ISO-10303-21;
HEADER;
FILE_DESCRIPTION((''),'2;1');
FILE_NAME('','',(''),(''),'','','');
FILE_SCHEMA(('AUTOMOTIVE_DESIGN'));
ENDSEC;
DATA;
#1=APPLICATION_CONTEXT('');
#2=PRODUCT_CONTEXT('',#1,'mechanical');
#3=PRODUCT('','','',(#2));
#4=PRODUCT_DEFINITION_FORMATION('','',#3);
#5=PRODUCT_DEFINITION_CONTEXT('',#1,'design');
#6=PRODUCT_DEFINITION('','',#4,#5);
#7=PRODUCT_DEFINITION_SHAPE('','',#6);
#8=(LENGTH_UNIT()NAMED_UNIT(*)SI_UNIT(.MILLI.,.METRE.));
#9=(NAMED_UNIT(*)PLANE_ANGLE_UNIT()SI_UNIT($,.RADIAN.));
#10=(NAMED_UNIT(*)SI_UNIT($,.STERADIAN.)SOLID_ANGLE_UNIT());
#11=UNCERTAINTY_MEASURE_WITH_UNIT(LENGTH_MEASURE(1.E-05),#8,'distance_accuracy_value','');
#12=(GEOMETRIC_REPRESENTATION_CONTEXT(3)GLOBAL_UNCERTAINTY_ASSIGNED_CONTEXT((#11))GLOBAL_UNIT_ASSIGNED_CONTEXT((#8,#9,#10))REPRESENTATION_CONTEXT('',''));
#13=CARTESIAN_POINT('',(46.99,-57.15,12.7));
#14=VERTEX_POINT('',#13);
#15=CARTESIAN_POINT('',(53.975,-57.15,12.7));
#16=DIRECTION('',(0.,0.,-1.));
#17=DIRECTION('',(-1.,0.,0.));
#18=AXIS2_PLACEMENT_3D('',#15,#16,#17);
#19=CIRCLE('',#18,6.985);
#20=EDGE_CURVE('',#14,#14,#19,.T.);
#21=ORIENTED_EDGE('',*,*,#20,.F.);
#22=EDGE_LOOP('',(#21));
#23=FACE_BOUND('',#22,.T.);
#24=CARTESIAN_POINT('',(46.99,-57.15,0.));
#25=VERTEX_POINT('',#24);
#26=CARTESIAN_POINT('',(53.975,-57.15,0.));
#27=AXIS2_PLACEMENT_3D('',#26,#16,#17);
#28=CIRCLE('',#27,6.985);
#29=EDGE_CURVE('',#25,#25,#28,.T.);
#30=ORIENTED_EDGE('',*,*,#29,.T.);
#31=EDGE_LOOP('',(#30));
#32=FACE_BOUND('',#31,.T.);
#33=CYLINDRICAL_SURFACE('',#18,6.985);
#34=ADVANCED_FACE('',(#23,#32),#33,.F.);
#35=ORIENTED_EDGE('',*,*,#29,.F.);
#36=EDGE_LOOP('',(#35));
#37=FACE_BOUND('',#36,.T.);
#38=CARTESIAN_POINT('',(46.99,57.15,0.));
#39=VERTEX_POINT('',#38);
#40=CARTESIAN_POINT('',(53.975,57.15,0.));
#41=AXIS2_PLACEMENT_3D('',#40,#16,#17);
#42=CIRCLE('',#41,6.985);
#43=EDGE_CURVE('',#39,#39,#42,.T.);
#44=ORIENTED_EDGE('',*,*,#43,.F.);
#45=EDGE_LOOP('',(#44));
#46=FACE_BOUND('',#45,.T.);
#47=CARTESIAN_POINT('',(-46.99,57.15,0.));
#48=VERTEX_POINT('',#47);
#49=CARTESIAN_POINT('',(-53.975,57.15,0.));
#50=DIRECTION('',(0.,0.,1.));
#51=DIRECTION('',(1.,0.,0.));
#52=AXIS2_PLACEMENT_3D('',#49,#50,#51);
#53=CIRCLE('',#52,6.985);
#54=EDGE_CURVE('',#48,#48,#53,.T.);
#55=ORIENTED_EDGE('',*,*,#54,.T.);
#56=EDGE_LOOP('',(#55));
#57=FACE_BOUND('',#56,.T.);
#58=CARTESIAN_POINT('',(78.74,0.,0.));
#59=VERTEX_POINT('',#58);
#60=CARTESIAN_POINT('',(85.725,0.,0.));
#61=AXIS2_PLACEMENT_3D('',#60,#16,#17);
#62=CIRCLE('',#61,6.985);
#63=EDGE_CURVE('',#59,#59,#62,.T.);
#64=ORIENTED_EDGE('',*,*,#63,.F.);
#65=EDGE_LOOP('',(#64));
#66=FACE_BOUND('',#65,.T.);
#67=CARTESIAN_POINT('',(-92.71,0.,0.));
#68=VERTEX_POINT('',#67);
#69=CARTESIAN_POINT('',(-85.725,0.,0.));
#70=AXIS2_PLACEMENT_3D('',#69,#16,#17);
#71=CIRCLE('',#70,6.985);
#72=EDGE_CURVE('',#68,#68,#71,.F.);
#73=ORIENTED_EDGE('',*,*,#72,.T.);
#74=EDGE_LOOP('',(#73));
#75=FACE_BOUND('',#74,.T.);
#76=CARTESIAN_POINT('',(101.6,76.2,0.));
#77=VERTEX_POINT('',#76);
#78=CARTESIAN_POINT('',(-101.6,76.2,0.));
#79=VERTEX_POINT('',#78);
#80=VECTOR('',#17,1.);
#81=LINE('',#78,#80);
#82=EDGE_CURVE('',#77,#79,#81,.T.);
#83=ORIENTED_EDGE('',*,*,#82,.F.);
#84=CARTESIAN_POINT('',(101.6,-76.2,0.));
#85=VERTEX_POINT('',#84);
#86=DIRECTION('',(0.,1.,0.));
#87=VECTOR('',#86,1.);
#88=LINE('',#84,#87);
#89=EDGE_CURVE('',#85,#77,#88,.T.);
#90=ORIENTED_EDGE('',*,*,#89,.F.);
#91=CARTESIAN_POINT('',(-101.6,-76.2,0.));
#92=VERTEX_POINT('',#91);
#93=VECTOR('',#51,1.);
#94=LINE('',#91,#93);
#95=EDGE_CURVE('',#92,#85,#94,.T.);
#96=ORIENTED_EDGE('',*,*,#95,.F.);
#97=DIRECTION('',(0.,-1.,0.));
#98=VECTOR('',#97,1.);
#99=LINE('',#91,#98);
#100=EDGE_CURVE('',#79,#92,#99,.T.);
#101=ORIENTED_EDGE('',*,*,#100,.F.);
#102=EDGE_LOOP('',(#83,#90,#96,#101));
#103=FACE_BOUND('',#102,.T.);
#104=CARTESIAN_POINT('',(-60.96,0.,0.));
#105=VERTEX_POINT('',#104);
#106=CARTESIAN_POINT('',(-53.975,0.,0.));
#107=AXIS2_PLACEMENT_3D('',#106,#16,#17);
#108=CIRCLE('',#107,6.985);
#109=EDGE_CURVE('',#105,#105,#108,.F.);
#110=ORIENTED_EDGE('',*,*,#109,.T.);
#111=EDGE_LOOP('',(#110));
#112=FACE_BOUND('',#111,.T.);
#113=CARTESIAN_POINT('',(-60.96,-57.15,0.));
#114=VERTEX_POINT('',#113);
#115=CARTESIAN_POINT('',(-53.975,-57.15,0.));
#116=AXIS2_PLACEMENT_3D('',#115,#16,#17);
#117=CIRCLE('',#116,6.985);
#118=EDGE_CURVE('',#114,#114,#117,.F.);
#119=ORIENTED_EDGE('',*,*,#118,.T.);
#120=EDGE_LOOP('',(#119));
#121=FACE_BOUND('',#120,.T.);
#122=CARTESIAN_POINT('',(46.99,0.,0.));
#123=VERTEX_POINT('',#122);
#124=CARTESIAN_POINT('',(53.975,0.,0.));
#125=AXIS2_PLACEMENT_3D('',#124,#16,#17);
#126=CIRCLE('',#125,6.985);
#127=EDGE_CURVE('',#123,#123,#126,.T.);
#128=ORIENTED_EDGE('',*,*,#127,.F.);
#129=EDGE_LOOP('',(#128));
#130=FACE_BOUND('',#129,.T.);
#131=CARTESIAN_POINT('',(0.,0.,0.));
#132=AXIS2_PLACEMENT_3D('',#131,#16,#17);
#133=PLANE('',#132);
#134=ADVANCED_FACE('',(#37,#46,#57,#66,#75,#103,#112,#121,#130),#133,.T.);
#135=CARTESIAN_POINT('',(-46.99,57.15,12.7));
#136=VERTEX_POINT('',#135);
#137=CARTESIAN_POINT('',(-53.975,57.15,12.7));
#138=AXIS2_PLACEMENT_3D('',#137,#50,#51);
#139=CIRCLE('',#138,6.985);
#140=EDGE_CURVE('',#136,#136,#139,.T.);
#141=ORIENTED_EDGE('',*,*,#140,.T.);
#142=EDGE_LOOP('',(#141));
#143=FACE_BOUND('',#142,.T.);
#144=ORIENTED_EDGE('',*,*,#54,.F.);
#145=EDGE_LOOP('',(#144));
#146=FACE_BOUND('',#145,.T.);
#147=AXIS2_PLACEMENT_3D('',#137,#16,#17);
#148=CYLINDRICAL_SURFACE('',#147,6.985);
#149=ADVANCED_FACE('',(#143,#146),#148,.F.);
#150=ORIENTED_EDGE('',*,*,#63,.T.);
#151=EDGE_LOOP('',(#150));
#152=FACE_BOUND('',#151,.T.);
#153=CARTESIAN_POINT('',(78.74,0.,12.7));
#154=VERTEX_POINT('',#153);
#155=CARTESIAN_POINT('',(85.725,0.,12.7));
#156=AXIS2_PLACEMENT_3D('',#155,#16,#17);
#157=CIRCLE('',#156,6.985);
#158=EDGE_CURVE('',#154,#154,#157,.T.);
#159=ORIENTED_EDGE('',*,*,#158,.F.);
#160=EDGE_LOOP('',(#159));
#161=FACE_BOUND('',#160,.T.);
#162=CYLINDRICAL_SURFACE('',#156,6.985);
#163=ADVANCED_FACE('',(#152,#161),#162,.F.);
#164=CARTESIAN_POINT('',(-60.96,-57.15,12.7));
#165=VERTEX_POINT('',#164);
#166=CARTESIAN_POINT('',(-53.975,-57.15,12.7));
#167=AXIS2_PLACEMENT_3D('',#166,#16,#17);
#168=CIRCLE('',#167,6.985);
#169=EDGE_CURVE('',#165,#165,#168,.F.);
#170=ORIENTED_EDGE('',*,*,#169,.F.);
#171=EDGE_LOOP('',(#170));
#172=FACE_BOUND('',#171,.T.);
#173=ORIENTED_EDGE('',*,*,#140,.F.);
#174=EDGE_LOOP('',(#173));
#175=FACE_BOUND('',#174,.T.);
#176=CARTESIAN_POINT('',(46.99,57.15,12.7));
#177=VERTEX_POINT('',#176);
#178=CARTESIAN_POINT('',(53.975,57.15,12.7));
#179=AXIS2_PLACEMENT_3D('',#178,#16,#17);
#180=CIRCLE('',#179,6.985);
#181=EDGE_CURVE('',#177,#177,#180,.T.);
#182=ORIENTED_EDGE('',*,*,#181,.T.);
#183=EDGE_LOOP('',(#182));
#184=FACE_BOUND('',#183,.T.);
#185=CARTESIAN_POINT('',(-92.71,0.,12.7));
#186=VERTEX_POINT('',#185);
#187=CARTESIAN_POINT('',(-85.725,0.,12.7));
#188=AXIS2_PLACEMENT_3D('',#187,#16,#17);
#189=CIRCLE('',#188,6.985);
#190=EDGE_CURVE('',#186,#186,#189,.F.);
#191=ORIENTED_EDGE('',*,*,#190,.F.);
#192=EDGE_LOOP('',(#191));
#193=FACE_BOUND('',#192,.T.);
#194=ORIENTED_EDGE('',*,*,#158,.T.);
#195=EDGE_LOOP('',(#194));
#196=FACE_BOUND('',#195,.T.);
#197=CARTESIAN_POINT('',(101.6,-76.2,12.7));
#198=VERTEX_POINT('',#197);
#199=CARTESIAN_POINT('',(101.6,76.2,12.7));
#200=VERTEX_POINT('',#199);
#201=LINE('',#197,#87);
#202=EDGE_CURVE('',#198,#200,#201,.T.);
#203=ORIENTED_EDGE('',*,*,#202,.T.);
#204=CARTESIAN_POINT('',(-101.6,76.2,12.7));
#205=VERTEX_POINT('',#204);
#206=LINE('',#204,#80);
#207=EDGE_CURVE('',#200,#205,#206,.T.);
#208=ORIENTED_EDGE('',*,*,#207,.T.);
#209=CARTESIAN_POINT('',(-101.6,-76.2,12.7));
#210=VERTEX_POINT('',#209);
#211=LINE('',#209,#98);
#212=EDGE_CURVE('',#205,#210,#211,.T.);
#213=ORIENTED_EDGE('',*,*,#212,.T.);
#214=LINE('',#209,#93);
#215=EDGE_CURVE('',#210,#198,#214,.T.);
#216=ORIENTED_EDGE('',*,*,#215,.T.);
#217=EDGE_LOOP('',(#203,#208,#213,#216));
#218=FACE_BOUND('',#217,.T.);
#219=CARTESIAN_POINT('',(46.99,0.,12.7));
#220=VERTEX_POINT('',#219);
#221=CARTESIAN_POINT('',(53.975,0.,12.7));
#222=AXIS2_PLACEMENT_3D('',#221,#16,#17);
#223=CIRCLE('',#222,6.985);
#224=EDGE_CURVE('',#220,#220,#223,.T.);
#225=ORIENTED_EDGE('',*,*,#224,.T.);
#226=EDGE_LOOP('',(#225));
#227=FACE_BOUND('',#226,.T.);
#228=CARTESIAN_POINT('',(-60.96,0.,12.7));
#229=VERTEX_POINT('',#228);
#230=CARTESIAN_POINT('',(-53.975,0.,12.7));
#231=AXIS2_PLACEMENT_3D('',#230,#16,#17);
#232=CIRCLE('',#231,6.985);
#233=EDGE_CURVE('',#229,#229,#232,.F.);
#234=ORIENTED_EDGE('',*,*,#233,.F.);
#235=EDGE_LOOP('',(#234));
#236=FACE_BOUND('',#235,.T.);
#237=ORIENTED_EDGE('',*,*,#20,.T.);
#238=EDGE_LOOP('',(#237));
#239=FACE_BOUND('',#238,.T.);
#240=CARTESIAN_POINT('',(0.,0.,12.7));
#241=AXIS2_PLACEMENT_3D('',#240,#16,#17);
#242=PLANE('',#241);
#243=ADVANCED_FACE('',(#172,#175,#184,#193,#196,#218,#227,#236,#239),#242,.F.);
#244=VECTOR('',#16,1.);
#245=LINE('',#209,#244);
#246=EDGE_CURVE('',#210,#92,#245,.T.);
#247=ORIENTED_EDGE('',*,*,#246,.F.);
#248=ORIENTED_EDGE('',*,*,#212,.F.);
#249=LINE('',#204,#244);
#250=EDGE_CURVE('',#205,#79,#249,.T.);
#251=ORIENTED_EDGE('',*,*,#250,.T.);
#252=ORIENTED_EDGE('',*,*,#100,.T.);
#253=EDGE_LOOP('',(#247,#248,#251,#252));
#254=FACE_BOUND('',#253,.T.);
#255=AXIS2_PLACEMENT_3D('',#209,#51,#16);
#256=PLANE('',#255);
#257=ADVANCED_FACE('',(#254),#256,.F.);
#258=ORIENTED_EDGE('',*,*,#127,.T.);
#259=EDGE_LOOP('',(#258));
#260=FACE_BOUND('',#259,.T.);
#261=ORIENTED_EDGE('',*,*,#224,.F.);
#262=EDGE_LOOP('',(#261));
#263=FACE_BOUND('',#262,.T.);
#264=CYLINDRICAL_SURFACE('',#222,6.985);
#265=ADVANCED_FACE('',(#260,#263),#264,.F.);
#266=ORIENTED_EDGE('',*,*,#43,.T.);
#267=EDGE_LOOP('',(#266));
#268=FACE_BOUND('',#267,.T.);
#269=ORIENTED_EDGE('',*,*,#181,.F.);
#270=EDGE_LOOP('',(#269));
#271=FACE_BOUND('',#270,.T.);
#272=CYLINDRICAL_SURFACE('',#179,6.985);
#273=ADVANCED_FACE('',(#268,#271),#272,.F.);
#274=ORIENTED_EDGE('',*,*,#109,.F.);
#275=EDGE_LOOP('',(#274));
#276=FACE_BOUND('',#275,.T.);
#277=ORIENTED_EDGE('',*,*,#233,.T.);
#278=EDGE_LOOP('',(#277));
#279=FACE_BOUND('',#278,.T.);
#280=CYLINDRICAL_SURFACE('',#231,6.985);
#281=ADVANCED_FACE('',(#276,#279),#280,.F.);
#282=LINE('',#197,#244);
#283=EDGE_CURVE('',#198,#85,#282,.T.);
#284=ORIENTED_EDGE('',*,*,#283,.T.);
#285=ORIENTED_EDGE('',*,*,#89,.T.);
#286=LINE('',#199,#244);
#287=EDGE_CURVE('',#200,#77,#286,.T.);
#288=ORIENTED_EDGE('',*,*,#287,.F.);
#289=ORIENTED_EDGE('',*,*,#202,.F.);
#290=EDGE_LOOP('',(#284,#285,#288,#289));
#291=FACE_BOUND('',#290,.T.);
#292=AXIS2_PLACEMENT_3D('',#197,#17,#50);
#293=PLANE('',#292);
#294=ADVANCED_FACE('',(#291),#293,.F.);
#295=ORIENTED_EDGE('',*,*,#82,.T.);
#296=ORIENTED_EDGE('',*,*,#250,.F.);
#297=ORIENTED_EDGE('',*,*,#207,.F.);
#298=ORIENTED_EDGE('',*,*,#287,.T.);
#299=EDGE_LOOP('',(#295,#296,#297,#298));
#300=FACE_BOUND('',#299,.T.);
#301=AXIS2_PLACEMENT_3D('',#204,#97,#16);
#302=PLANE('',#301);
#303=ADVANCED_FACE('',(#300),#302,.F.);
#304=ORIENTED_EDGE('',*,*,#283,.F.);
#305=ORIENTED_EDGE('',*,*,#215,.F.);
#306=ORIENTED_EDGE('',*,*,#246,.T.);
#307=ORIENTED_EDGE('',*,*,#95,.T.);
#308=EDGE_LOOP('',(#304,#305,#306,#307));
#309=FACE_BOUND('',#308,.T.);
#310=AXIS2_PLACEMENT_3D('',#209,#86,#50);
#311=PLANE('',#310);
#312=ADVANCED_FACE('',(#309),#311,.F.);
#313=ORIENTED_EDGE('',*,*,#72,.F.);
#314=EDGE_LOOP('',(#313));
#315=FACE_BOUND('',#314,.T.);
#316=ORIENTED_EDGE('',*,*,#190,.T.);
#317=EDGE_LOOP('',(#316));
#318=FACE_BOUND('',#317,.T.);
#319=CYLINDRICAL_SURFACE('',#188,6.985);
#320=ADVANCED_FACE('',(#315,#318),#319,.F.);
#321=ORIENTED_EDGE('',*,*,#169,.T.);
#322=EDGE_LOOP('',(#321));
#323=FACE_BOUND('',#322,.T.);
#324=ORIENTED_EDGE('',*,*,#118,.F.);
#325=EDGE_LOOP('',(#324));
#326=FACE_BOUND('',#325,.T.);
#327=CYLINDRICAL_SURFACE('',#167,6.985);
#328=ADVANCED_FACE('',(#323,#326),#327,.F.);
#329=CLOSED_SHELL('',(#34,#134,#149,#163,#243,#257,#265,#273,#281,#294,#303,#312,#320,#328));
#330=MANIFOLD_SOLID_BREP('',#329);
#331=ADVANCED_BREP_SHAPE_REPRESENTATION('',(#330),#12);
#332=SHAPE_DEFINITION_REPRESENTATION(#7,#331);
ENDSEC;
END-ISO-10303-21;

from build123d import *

# Parameters (mm, degrees)
SKETCH2_W           = 203.2
SKETCH2_H           = 152.4
BOSS_EXTRUDE1_DEPTH = 12.7
SKETCH3_R           = 6.985
CUT_EXTRUDE1_DEPTH  = 128.633420388


with BuildPart() as part:
    # Sketch2 → Boss-Extrude1 (new body)
    with BuildSketch(Plane.XY):
        Rectangle(SKETCH2_W, SKETCH2_H)
    extrude(amount=BOSS_EXTRUDE1_DEPTH)

    # Sketch3 → Cut-Extrude1 (cut, through all)
    with BuildSketch(Plane(origin=(0, 0, 0), x_dir=(-1, 0, 0), z_dir=(0, 0, -1))):
        with Locations((53.975, 0)):
            Circle(SKETCH3_R)
        with Locations((85.725, 0)):
            Circle(SKETCH3_R)
        with Locations((53.975, -57.15)):
            Circle(SKETCH3_R)
        with Locations((-53.975, 0)):
            Circle(SKETCH3_R)
        with Locations(Location((53.975, 57.15, 0), (0, 0, 180))):
            Circle(SKETCH3_R)
        with Locations((-53.975, -57.15)):
            Circle(SKETCH3_R)
        with Locations((-85.725, 0)):
            Circle(SKETCH3_R)
        with Locations((-53.975, 57.15)):
            Circle(SKETCH3_R)
    extrude(amount=-CUT_EXTRUDE1_DEPTH, mode=Mode.SUBTRACT)


solid = part.part
